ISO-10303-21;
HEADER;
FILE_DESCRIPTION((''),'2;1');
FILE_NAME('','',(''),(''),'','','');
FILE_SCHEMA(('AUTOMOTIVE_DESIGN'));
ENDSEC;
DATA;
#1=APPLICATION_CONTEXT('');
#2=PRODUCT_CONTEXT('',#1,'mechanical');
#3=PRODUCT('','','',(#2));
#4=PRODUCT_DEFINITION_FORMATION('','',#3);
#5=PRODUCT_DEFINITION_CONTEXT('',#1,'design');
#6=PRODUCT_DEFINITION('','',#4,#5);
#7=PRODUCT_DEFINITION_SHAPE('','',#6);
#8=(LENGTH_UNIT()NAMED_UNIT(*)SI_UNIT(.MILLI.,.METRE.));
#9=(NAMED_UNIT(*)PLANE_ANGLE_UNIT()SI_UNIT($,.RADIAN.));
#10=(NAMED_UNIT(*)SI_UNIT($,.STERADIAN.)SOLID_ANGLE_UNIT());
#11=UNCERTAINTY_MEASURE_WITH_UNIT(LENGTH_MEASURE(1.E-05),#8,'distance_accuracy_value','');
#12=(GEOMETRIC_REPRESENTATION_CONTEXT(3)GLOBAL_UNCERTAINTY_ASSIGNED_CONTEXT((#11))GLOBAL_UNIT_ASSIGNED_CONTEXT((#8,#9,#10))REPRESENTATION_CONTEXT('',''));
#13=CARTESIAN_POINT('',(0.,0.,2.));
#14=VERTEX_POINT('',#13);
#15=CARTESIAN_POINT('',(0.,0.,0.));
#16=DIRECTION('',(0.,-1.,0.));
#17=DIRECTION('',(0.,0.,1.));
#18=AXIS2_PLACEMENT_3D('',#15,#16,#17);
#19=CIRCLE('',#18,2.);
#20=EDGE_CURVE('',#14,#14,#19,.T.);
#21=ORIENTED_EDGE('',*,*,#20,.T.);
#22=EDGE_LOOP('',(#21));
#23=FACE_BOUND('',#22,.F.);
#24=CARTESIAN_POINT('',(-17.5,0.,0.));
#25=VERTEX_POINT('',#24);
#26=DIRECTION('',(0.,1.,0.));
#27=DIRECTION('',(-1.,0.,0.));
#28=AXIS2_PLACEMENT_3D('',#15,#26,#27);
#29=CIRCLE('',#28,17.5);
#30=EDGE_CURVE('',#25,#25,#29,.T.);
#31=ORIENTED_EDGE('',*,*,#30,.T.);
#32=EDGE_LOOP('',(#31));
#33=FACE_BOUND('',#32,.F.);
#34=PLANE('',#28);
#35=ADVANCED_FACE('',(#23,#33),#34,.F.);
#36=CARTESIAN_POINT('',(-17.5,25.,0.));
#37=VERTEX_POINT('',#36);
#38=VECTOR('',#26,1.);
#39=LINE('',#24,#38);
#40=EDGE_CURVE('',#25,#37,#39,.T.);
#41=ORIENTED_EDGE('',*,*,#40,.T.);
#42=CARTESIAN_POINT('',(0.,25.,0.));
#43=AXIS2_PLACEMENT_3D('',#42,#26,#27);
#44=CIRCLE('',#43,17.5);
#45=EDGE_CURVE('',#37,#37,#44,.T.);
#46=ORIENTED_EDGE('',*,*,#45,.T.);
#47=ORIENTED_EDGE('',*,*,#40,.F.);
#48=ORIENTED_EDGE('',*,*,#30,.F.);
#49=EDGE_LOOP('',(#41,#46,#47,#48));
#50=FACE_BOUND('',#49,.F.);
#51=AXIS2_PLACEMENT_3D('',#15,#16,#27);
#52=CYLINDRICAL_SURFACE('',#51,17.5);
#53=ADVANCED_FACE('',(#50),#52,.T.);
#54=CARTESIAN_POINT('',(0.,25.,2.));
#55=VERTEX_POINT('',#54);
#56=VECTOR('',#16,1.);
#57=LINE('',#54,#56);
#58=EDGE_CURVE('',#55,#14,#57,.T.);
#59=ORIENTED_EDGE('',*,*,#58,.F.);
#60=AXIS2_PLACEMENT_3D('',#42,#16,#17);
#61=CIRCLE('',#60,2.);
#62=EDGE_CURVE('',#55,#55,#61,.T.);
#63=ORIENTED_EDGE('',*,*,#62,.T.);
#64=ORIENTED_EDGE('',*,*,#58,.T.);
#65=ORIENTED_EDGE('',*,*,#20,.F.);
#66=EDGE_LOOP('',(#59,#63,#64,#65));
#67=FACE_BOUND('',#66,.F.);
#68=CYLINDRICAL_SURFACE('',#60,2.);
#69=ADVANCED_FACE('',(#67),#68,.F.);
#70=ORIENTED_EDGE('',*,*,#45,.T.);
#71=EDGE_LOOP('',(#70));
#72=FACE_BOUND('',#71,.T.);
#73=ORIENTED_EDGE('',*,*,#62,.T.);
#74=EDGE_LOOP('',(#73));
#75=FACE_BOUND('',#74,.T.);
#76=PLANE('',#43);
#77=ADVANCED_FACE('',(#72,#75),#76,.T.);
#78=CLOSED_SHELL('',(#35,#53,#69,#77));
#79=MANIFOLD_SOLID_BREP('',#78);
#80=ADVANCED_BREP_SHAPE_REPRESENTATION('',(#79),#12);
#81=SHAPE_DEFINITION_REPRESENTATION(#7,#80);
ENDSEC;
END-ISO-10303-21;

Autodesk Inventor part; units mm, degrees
ref_plane "YZ Plane" through (0, 0, 0) normal (1, 0, 0) x (0, 1, 0)
ref_plane "XZ Plane" through (0, 0, 0) normal (0, 1, 0) x (-1, 0, 0)
ref_plane "XY Plane" through (0, 0, 0) normal (0, 0, 1) x (1, 0, 0)
sketch "Sketch1" plane through (0, 0, 0) normal (0, 1, 0) x (-1, 0, 0)
  circle A0 centre (0, 0) radius 17.5
  dimension "d0" = 35
extrude "Extrusion1" add sketch "Sketch1" along normal blind 25
sketch "Sketch2" plane through (0, 25, 0) normal (0, 1, 0) x (1, 0, 0)
  circle A0 centre (0, 0) radius 17.5 projected
hole "Hole1" at (0, 25, 0) direction (0, -1, 0) diameter 4 end through all
properties part number "Coil"
